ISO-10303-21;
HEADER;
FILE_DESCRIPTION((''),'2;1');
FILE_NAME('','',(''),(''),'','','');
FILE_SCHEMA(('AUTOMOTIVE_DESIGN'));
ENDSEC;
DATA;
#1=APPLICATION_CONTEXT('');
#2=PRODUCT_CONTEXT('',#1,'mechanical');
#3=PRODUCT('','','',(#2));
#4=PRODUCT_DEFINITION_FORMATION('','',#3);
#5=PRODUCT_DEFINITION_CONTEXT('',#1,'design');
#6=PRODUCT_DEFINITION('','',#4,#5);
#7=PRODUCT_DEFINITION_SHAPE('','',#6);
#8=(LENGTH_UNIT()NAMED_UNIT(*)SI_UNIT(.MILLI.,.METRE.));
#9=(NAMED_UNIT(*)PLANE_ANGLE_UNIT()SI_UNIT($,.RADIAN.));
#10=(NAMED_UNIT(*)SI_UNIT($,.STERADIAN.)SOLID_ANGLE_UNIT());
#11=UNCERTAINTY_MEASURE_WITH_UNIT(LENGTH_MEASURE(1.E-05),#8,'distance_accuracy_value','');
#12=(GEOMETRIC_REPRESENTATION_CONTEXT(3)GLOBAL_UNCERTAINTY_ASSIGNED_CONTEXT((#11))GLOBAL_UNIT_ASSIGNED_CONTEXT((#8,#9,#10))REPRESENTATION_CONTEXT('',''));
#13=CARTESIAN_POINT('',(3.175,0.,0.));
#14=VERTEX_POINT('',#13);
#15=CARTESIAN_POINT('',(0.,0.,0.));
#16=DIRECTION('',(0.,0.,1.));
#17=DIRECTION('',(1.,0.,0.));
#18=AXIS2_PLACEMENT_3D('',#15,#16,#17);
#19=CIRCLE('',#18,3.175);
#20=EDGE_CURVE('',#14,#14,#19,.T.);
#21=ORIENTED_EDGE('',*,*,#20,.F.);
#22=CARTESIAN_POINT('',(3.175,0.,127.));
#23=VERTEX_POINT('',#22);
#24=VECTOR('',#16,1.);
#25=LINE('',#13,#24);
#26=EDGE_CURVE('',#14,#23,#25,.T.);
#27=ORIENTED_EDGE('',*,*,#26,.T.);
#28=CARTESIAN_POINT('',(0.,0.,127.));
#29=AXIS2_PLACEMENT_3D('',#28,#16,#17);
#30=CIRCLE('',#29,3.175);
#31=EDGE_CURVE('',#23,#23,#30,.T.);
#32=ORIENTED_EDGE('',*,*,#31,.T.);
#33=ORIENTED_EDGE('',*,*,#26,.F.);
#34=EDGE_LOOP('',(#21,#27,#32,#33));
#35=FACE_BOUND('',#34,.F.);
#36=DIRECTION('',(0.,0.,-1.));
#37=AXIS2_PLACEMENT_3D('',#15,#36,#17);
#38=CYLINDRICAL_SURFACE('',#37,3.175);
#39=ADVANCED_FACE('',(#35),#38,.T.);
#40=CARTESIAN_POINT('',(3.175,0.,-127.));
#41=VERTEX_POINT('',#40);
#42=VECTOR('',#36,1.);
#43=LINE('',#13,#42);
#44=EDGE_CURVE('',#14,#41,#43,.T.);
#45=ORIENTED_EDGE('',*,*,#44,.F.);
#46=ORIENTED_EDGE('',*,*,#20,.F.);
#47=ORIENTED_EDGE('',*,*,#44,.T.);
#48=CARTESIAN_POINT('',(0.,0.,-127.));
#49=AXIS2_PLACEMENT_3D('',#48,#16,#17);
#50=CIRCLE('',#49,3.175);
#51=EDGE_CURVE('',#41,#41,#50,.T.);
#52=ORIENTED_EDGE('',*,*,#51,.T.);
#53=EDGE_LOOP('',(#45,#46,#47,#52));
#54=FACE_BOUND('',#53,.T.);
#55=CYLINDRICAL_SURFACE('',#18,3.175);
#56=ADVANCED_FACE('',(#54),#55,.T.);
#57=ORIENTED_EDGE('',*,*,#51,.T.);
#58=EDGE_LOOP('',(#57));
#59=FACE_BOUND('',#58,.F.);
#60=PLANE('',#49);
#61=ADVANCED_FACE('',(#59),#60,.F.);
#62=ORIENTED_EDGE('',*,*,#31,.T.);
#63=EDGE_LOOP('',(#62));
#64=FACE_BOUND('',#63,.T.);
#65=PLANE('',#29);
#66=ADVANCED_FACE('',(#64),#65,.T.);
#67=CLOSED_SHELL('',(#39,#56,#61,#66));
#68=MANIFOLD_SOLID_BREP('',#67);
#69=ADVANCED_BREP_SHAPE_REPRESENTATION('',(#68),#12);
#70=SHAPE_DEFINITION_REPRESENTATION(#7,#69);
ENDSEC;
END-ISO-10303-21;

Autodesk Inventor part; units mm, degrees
ref_plane "YZ Plane" through (0, 0, 0) normal (1, 0, 0) x (0, 1, 0)
ref_plane "XZ Plane" through (0, 0, 0) normal (0, 1, 0) x (-1, 0, 0)
sketch "Sketch1" plane through (0, 0, 0) normal (0, 0, 1) x (1, 0, 0)
  circle A0 centre (0, 0) radius 3.175
  dimension "d0" = 6.35
extrude "Extrusion1" add sketch "Sketch1" along normal mid plane 254
properties part number "1_4 x 10 inch axel"
